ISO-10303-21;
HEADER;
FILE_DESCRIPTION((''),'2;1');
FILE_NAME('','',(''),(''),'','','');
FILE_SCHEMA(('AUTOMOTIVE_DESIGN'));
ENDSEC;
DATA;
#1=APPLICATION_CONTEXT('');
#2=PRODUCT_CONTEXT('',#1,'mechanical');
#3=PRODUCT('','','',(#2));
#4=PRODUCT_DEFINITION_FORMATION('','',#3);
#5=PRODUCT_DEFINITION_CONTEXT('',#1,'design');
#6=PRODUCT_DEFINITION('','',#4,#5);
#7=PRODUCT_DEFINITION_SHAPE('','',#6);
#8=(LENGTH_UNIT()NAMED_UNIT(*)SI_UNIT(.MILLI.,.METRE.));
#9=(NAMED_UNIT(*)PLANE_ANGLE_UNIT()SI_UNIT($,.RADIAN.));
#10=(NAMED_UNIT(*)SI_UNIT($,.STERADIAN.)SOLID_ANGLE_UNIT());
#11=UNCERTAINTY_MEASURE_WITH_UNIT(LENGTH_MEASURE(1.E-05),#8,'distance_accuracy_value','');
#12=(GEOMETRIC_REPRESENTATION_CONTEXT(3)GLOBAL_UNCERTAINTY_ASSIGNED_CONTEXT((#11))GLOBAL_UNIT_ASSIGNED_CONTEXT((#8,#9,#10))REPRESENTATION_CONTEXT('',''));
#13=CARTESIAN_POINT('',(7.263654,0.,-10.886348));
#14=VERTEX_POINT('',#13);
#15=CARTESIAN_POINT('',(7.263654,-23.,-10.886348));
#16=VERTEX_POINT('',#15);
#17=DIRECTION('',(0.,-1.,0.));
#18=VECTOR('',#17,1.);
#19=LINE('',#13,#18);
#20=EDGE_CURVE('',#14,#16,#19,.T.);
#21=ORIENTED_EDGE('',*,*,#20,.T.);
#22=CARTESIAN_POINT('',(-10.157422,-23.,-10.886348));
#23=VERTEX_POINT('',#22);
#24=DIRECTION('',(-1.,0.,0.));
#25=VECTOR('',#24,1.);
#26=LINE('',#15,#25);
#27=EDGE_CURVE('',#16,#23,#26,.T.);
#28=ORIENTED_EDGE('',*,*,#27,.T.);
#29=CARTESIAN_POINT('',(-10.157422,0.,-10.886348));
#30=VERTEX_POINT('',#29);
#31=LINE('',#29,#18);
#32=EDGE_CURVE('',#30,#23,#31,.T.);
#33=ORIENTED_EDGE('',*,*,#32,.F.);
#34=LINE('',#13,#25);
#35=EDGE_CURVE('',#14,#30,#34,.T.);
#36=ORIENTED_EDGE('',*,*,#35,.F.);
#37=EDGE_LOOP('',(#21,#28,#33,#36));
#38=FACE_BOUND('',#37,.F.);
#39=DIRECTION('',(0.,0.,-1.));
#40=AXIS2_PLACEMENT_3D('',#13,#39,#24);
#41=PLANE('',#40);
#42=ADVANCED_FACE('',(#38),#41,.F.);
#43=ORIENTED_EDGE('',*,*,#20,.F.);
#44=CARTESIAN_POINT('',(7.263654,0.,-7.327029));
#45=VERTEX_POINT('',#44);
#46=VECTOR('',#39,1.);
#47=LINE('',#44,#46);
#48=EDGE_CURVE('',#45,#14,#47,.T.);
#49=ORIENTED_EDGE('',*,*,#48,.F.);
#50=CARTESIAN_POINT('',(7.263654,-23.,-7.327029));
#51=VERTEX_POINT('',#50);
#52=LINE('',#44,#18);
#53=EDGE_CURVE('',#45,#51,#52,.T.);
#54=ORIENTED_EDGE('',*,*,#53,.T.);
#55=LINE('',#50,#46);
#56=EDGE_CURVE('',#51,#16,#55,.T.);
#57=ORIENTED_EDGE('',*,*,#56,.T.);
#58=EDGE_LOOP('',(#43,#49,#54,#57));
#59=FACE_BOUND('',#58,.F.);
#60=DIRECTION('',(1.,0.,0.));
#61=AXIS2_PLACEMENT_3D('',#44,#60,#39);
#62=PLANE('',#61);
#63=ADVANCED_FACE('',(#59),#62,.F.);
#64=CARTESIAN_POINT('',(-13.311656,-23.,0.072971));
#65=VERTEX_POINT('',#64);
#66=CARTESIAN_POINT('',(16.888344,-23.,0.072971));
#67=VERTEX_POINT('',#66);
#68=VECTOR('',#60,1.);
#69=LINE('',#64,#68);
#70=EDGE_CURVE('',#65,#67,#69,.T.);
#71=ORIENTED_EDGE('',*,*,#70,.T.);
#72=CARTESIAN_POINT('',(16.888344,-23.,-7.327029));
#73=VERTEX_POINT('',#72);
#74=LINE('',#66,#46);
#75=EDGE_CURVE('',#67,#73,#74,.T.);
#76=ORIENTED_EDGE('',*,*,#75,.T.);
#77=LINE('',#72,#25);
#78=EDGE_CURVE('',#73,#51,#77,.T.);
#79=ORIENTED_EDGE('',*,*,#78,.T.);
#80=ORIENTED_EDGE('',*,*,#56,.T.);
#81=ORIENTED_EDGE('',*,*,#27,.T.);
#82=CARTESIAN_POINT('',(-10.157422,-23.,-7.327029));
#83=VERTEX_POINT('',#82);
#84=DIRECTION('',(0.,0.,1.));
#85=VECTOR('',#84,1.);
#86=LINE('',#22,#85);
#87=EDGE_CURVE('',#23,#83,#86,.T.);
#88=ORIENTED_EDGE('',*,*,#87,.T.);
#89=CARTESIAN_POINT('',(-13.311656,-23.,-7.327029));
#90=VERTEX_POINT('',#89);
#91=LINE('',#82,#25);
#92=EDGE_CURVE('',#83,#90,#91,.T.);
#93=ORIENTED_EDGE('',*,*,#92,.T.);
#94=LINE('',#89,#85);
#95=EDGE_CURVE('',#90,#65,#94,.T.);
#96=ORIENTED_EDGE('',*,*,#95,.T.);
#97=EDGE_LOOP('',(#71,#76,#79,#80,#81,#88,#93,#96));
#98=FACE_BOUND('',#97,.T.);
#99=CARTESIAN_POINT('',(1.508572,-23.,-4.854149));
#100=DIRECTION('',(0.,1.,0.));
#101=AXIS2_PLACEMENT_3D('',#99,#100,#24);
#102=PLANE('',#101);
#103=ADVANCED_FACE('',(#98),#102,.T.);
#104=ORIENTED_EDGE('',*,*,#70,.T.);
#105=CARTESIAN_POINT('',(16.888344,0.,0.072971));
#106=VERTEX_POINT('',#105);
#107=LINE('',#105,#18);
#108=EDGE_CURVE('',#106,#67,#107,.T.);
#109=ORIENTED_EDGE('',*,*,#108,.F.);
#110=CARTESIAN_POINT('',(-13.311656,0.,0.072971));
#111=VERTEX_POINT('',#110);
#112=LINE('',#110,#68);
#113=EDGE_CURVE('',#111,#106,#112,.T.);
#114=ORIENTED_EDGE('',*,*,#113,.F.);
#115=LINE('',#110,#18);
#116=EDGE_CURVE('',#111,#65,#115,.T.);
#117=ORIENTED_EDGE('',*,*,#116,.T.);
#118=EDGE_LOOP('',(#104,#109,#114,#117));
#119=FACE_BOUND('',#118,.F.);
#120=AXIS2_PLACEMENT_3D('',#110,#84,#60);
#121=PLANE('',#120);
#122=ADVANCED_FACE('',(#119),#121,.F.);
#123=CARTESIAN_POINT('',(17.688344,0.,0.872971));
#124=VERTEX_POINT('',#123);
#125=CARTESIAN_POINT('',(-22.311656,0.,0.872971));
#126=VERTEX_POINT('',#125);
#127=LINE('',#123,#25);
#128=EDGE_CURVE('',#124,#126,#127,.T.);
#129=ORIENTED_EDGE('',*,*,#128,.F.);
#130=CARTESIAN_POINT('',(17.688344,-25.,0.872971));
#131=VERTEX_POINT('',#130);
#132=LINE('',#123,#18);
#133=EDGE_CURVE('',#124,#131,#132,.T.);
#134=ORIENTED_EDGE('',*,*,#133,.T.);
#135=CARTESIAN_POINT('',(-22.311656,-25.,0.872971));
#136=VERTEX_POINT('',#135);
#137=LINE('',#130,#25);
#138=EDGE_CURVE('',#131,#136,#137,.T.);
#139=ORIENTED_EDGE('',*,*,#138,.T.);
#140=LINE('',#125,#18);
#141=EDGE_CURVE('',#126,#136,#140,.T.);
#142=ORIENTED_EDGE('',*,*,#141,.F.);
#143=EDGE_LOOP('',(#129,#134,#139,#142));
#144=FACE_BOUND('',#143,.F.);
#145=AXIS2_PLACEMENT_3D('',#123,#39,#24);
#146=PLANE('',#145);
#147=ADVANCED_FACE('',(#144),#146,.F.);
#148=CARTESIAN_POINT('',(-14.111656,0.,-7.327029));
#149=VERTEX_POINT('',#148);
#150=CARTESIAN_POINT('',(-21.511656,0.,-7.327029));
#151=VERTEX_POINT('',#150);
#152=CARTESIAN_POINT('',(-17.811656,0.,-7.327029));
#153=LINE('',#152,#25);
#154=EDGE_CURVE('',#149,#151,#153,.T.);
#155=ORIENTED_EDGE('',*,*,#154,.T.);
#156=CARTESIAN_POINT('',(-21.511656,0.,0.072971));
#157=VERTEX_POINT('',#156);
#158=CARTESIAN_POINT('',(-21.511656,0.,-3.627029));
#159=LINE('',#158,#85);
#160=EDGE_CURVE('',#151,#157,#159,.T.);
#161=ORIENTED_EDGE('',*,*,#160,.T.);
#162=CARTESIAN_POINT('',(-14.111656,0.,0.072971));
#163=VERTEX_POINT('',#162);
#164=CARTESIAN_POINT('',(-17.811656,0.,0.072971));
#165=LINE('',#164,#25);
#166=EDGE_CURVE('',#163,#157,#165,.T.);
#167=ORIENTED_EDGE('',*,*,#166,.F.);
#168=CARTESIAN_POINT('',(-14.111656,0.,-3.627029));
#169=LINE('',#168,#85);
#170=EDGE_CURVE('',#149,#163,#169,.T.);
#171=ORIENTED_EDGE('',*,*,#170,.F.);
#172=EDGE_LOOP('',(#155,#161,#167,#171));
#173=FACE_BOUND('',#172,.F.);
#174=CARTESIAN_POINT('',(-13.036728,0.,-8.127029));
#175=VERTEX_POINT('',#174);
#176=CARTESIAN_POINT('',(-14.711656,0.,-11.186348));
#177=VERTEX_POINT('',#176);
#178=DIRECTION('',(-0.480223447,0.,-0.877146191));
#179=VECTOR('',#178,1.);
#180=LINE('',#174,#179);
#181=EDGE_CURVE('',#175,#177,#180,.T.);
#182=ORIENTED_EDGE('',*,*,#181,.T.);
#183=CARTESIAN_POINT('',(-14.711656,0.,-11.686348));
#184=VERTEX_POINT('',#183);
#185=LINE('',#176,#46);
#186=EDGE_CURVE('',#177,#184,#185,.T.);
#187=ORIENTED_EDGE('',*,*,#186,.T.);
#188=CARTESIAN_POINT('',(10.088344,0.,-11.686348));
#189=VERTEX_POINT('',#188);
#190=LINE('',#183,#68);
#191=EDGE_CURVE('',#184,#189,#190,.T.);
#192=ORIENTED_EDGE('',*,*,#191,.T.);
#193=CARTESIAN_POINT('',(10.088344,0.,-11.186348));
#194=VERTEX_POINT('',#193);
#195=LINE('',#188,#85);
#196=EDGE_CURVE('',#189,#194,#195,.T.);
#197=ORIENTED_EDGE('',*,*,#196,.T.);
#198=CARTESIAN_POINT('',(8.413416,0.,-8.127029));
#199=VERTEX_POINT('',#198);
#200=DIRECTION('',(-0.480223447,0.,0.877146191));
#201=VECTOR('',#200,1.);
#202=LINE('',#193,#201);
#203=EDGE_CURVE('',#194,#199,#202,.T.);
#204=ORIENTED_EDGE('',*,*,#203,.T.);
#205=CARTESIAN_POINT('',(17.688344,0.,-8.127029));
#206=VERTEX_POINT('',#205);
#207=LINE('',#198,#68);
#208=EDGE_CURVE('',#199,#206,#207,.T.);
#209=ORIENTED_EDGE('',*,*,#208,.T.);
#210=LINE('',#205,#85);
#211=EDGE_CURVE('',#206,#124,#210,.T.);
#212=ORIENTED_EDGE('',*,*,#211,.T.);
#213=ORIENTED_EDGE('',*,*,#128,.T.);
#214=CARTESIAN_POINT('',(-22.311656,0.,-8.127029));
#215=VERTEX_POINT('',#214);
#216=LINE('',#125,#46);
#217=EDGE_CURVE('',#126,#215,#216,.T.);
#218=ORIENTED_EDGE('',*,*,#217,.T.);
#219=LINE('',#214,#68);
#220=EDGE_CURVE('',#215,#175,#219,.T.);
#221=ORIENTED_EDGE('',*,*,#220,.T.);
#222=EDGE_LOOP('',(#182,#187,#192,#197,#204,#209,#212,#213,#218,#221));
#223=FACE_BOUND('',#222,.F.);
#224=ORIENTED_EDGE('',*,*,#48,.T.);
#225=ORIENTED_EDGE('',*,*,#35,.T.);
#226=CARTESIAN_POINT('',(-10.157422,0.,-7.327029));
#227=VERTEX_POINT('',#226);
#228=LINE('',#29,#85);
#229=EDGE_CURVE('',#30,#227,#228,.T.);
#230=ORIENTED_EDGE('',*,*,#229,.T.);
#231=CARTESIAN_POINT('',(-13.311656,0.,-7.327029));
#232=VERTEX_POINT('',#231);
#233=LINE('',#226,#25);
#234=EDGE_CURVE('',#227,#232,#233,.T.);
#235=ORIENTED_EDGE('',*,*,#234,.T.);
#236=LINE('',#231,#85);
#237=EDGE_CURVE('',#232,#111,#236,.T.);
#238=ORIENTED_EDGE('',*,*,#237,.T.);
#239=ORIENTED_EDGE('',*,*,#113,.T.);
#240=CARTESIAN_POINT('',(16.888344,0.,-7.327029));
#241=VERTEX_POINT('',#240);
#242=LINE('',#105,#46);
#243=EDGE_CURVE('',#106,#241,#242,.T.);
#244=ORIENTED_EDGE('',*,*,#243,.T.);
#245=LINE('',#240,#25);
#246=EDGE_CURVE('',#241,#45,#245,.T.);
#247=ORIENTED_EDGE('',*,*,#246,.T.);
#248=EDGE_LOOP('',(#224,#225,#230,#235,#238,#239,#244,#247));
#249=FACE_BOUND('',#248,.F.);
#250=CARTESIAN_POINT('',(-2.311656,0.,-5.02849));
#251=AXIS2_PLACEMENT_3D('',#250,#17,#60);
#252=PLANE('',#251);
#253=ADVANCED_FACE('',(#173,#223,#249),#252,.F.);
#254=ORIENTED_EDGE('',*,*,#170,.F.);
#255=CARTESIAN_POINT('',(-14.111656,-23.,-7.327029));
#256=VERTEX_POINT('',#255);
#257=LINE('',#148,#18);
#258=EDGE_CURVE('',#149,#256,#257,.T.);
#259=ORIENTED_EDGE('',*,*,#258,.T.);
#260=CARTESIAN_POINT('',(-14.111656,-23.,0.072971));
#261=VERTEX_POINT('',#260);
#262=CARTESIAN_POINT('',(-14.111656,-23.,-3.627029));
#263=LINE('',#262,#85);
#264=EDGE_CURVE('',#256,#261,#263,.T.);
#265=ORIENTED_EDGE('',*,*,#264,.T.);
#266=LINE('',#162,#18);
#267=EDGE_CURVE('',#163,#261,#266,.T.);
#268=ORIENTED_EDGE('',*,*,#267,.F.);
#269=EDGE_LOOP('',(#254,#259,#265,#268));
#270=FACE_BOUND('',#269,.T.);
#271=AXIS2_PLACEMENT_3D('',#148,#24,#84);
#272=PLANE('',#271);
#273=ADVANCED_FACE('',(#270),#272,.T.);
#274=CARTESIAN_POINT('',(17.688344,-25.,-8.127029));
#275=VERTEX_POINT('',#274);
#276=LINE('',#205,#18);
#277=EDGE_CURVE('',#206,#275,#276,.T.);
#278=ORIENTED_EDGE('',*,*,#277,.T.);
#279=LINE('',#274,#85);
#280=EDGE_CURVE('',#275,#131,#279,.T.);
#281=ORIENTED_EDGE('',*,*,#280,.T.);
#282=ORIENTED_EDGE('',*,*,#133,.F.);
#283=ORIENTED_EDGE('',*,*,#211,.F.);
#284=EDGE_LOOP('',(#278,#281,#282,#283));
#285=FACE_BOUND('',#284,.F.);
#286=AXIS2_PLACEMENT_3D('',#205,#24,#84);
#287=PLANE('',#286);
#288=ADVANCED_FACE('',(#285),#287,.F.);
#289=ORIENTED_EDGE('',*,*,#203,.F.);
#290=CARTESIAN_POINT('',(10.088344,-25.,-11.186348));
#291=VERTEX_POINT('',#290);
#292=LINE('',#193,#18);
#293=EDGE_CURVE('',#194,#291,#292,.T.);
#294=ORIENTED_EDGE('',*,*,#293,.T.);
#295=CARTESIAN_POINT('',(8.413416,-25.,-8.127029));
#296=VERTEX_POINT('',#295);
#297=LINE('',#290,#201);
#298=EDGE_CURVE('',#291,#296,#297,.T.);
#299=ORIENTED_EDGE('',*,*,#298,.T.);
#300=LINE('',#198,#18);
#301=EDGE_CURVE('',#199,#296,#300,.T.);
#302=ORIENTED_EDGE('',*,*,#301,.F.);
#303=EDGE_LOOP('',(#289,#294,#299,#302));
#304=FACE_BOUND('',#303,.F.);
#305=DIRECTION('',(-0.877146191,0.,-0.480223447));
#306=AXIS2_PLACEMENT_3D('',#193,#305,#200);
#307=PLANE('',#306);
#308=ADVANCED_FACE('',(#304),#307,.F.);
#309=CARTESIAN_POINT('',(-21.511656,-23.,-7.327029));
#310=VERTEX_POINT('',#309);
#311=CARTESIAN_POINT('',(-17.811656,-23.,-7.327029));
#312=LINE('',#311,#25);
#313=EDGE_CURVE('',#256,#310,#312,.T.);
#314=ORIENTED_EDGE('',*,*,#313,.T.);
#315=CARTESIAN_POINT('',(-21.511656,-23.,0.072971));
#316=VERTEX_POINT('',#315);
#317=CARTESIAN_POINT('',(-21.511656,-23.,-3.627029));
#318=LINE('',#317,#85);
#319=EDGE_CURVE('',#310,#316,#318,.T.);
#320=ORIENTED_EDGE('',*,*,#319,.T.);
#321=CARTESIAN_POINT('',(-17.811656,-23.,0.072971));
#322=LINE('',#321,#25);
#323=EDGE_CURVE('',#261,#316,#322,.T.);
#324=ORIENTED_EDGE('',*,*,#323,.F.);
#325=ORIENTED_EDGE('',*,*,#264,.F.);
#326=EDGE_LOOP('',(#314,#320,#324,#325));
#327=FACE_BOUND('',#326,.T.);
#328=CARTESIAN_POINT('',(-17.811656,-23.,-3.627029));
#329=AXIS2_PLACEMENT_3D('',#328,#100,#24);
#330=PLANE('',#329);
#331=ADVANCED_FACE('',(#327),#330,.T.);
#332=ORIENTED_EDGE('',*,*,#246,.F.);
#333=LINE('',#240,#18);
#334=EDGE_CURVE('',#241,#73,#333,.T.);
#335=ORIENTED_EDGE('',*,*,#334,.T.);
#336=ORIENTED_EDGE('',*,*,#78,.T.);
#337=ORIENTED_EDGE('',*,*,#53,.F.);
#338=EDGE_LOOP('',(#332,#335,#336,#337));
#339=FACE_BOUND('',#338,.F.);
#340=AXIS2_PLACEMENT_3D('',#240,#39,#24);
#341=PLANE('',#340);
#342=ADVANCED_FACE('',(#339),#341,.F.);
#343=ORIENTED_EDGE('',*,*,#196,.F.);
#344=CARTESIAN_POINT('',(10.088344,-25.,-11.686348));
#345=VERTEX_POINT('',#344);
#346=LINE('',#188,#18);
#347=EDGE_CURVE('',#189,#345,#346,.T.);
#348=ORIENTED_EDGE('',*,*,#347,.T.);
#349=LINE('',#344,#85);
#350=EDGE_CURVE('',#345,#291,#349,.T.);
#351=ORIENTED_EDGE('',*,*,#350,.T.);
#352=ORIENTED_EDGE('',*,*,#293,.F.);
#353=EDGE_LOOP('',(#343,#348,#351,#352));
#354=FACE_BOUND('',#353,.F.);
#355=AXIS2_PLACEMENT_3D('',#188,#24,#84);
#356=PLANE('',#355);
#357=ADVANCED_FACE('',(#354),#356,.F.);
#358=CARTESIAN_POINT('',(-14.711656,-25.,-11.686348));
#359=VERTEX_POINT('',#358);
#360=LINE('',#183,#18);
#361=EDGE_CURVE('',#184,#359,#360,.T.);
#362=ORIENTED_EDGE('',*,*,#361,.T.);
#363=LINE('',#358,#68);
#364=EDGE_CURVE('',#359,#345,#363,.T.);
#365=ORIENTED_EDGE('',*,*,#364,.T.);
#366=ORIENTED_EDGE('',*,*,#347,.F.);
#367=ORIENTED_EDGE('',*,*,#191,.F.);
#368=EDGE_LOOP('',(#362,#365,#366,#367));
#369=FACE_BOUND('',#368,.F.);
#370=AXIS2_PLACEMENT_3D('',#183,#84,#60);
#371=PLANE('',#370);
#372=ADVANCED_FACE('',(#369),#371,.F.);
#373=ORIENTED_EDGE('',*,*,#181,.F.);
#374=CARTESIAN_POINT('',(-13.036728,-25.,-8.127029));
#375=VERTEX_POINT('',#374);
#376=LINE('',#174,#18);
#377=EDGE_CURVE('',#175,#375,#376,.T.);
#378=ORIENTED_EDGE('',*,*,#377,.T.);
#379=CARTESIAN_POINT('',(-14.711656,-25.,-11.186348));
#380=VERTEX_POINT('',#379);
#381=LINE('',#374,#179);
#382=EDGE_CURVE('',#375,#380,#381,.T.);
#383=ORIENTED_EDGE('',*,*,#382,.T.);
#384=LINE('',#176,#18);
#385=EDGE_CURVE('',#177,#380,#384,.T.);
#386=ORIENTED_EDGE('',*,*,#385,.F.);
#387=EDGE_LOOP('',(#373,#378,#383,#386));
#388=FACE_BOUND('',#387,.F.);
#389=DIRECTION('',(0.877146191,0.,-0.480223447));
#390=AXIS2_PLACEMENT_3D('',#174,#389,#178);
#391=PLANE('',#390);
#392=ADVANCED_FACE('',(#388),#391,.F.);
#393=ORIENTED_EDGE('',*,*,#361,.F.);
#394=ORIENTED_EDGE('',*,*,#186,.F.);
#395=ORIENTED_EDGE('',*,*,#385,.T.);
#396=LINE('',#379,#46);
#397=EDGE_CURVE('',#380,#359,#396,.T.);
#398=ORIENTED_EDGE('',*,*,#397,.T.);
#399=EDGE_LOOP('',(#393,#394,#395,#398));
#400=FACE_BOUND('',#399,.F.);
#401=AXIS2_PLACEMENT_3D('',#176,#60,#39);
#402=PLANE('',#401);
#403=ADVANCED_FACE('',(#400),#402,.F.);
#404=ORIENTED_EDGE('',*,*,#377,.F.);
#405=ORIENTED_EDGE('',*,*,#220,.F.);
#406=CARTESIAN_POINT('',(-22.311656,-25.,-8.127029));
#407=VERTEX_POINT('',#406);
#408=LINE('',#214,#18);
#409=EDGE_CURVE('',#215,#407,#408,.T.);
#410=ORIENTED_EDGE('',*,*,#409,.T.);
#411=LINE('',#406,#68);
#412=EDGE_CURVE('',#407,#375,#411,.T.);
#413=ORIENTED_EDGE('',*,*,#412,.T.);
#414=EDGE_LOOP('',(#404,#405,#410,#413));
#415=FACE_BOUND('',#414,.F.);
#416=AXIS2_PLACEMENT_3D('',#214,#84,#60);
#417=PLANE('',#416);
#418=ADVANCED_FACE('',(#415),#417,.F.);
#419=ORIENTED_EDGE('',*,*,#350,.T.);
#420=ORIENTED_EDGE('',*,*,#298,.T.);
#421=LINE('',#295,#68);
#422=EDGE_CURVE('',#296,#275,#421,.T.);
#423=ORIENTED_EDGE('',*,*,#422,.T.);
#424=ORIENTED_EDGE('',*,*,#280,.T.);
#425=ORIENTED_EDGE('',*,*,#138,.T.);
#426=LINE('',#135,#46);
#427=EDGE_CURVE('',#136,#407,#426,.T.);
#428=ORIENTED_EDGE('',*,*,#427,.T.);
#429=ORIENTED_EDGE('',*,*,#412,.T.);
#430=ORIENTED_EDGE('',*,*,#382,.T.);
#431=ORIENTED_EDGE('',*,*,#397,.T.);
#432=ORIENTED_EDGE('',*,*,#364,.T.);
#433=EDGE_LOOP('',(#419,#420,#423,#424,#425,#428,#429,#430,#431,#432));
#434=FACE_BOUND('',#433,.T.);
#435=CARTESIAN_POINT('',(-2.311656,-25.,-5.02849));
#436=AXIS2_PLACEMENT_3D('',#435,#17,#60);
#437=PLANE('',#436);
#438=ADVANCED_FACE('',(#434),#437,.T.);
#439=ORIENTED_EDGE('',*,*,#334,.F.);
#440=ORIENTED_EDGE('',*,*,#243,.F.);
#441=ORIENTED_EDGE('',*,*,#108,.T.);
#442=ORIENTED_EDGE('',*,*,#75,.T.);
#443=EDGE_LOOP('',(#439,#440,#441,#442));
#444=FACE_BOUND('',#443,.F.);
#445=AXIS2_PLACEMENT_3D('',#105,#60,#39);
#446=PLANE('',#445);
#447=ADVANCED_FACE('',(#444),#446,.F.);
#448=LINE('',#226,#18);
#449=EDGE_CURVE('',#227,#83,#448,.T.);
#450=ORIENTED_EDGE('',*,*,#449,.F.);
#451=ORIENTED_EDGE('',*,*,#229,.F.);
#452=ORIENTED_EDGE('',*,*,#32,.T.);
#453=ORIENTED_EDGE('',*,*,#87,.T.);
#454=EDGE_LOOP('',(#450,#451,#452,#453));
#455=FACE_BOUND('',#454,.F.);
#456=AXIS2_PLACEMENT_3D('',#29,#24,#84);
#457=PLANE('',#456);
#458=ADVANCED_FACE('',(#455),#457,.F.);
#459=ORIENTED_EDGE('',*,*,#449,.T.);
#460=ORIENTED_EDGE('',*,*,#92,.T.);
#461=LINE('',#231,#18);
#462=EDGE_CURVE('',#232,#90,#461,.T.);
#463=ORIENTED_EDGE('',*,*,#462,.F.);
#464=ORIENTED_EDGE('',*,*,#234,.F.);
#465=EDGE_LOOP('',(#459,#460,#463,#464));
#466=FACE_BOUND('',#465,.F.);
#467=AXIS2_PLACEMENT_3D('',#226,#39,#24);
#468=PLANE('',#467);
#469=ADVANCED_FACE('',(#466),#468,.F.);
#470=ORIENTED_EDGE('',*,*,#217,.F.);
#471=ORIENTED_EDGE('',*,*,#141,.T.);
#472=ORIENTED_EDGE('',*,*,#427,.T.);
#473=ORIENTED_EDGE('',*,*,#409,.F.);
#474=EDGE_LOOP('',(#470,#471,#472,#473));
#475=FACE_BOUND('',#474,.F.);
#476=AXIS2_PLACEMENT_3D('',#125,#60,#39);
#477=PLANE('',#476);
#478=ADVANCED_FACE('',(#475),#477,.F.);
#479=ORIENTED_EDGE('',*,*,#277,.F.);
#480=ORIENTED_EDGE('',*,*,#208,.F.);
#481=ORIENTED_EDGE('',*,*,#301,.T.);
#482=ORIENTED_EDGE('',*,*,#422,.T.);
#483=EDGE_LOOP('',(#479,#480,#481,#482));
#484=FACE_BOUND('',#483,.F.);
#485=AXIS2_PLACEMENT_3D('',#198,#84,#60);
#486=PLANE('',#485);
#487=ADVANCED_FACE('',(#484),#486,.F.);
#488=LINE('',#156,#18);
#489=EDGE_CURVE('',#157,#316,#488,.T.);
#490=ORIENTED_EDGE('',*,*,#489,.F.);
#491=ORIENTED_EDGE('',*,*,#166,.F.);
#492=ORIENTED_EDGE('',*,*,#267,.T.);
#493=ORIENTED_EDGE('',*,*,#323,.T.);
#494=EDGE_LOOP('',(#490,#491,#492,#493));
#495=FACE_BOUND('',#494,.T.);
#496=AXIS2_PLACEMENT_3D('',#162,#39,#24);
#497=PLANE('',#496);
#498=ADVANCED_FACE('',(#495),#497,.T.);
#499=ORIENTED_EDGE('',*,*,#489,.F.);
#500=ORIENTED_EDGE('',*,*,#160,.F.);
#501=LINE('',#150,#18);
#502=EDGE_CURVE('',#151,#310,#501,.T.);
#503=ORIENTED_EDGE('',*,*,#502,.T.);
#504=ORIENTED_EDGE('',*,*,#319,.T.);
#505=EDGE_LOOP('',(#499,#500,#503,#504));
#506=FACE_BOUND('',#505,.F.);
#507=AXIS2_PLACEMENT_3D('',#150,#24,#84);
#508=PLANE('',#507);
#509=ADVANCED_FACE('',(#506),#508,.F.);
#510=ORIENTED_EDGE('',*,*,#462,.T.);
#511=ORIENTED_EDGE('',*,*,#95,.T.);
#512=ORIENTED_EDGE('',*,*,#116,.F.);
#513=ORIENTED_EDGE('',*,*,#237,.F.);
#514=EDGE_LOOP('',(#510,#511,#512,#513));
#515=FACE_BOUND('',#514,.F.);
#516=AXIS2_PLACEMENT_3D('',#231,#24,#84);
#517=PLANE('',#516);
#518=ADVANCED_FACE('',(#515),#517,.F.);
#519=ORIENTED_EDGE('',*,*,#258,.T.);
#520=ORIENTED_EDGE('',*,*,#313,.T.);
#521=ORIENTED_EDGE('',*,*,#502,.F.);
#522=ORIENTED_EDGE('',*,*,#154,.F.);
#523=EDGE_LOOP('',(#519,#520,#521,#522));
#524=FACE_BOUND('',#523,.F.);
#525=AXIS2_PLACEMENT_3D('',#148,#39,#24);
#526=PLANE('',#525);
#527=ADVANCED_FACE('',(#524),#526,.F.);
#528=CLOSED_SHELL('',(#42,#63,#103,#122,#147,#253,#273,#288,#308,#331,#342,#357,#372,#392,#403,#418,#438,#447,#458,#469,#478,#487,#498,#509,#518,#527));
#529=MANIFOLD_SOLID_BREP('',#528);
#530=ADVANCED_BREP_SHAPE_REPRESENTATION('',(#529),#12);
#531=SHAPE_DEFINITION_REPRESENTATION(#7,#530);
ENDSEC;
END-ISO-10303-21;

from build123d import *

# Parameters (mm, degrees)
F1_DEPTH = 25
F2_W     = 7.4
F2_H     = 7.4
F3_DEPTH = 23


with BuildPart() as f1:
    # F0 (on Front) → F1 (new body)
    with BuildSketch(Plane.XZ):
        Polygon((10.088344, -11.686348), (10.088344, -11.186348), (8.413416, -8.127029), (17.688344, -8.127029), (17.688344, 0.872971), (-22.311656, 0.872971), (-22.311656, -8.127029), (-13.036728, -8.127029), (-14.711656, -11.186348), (-14.711656, -11.686348), align=None)
    extrude(amount=F1_DEPTH)

    # F2 (on face) → F3 (cut)
    with BuildSketch(Plane(origin=(0, 0, 0), x_dir=(-1, 0, 0), z_dir=(0, 1, 0))):
        Polygon((-7.263654, -7.327029), (-7.263654, -10.886348), (10.157422, -10.886348), (10.157422, -7.327029), (13.311656, -7.327029), (13.311656, 0.072971), (-16.888344, 0.072971), (-16.888344, -7.327029), align=None)
        with Locations((17.811656, -3.627029)):
            Rectangle(F2_W, F2_H)
    extrude(amount=-F3_DEPTH, mode=Mode.SUBTRACT)


solid = f1.part
